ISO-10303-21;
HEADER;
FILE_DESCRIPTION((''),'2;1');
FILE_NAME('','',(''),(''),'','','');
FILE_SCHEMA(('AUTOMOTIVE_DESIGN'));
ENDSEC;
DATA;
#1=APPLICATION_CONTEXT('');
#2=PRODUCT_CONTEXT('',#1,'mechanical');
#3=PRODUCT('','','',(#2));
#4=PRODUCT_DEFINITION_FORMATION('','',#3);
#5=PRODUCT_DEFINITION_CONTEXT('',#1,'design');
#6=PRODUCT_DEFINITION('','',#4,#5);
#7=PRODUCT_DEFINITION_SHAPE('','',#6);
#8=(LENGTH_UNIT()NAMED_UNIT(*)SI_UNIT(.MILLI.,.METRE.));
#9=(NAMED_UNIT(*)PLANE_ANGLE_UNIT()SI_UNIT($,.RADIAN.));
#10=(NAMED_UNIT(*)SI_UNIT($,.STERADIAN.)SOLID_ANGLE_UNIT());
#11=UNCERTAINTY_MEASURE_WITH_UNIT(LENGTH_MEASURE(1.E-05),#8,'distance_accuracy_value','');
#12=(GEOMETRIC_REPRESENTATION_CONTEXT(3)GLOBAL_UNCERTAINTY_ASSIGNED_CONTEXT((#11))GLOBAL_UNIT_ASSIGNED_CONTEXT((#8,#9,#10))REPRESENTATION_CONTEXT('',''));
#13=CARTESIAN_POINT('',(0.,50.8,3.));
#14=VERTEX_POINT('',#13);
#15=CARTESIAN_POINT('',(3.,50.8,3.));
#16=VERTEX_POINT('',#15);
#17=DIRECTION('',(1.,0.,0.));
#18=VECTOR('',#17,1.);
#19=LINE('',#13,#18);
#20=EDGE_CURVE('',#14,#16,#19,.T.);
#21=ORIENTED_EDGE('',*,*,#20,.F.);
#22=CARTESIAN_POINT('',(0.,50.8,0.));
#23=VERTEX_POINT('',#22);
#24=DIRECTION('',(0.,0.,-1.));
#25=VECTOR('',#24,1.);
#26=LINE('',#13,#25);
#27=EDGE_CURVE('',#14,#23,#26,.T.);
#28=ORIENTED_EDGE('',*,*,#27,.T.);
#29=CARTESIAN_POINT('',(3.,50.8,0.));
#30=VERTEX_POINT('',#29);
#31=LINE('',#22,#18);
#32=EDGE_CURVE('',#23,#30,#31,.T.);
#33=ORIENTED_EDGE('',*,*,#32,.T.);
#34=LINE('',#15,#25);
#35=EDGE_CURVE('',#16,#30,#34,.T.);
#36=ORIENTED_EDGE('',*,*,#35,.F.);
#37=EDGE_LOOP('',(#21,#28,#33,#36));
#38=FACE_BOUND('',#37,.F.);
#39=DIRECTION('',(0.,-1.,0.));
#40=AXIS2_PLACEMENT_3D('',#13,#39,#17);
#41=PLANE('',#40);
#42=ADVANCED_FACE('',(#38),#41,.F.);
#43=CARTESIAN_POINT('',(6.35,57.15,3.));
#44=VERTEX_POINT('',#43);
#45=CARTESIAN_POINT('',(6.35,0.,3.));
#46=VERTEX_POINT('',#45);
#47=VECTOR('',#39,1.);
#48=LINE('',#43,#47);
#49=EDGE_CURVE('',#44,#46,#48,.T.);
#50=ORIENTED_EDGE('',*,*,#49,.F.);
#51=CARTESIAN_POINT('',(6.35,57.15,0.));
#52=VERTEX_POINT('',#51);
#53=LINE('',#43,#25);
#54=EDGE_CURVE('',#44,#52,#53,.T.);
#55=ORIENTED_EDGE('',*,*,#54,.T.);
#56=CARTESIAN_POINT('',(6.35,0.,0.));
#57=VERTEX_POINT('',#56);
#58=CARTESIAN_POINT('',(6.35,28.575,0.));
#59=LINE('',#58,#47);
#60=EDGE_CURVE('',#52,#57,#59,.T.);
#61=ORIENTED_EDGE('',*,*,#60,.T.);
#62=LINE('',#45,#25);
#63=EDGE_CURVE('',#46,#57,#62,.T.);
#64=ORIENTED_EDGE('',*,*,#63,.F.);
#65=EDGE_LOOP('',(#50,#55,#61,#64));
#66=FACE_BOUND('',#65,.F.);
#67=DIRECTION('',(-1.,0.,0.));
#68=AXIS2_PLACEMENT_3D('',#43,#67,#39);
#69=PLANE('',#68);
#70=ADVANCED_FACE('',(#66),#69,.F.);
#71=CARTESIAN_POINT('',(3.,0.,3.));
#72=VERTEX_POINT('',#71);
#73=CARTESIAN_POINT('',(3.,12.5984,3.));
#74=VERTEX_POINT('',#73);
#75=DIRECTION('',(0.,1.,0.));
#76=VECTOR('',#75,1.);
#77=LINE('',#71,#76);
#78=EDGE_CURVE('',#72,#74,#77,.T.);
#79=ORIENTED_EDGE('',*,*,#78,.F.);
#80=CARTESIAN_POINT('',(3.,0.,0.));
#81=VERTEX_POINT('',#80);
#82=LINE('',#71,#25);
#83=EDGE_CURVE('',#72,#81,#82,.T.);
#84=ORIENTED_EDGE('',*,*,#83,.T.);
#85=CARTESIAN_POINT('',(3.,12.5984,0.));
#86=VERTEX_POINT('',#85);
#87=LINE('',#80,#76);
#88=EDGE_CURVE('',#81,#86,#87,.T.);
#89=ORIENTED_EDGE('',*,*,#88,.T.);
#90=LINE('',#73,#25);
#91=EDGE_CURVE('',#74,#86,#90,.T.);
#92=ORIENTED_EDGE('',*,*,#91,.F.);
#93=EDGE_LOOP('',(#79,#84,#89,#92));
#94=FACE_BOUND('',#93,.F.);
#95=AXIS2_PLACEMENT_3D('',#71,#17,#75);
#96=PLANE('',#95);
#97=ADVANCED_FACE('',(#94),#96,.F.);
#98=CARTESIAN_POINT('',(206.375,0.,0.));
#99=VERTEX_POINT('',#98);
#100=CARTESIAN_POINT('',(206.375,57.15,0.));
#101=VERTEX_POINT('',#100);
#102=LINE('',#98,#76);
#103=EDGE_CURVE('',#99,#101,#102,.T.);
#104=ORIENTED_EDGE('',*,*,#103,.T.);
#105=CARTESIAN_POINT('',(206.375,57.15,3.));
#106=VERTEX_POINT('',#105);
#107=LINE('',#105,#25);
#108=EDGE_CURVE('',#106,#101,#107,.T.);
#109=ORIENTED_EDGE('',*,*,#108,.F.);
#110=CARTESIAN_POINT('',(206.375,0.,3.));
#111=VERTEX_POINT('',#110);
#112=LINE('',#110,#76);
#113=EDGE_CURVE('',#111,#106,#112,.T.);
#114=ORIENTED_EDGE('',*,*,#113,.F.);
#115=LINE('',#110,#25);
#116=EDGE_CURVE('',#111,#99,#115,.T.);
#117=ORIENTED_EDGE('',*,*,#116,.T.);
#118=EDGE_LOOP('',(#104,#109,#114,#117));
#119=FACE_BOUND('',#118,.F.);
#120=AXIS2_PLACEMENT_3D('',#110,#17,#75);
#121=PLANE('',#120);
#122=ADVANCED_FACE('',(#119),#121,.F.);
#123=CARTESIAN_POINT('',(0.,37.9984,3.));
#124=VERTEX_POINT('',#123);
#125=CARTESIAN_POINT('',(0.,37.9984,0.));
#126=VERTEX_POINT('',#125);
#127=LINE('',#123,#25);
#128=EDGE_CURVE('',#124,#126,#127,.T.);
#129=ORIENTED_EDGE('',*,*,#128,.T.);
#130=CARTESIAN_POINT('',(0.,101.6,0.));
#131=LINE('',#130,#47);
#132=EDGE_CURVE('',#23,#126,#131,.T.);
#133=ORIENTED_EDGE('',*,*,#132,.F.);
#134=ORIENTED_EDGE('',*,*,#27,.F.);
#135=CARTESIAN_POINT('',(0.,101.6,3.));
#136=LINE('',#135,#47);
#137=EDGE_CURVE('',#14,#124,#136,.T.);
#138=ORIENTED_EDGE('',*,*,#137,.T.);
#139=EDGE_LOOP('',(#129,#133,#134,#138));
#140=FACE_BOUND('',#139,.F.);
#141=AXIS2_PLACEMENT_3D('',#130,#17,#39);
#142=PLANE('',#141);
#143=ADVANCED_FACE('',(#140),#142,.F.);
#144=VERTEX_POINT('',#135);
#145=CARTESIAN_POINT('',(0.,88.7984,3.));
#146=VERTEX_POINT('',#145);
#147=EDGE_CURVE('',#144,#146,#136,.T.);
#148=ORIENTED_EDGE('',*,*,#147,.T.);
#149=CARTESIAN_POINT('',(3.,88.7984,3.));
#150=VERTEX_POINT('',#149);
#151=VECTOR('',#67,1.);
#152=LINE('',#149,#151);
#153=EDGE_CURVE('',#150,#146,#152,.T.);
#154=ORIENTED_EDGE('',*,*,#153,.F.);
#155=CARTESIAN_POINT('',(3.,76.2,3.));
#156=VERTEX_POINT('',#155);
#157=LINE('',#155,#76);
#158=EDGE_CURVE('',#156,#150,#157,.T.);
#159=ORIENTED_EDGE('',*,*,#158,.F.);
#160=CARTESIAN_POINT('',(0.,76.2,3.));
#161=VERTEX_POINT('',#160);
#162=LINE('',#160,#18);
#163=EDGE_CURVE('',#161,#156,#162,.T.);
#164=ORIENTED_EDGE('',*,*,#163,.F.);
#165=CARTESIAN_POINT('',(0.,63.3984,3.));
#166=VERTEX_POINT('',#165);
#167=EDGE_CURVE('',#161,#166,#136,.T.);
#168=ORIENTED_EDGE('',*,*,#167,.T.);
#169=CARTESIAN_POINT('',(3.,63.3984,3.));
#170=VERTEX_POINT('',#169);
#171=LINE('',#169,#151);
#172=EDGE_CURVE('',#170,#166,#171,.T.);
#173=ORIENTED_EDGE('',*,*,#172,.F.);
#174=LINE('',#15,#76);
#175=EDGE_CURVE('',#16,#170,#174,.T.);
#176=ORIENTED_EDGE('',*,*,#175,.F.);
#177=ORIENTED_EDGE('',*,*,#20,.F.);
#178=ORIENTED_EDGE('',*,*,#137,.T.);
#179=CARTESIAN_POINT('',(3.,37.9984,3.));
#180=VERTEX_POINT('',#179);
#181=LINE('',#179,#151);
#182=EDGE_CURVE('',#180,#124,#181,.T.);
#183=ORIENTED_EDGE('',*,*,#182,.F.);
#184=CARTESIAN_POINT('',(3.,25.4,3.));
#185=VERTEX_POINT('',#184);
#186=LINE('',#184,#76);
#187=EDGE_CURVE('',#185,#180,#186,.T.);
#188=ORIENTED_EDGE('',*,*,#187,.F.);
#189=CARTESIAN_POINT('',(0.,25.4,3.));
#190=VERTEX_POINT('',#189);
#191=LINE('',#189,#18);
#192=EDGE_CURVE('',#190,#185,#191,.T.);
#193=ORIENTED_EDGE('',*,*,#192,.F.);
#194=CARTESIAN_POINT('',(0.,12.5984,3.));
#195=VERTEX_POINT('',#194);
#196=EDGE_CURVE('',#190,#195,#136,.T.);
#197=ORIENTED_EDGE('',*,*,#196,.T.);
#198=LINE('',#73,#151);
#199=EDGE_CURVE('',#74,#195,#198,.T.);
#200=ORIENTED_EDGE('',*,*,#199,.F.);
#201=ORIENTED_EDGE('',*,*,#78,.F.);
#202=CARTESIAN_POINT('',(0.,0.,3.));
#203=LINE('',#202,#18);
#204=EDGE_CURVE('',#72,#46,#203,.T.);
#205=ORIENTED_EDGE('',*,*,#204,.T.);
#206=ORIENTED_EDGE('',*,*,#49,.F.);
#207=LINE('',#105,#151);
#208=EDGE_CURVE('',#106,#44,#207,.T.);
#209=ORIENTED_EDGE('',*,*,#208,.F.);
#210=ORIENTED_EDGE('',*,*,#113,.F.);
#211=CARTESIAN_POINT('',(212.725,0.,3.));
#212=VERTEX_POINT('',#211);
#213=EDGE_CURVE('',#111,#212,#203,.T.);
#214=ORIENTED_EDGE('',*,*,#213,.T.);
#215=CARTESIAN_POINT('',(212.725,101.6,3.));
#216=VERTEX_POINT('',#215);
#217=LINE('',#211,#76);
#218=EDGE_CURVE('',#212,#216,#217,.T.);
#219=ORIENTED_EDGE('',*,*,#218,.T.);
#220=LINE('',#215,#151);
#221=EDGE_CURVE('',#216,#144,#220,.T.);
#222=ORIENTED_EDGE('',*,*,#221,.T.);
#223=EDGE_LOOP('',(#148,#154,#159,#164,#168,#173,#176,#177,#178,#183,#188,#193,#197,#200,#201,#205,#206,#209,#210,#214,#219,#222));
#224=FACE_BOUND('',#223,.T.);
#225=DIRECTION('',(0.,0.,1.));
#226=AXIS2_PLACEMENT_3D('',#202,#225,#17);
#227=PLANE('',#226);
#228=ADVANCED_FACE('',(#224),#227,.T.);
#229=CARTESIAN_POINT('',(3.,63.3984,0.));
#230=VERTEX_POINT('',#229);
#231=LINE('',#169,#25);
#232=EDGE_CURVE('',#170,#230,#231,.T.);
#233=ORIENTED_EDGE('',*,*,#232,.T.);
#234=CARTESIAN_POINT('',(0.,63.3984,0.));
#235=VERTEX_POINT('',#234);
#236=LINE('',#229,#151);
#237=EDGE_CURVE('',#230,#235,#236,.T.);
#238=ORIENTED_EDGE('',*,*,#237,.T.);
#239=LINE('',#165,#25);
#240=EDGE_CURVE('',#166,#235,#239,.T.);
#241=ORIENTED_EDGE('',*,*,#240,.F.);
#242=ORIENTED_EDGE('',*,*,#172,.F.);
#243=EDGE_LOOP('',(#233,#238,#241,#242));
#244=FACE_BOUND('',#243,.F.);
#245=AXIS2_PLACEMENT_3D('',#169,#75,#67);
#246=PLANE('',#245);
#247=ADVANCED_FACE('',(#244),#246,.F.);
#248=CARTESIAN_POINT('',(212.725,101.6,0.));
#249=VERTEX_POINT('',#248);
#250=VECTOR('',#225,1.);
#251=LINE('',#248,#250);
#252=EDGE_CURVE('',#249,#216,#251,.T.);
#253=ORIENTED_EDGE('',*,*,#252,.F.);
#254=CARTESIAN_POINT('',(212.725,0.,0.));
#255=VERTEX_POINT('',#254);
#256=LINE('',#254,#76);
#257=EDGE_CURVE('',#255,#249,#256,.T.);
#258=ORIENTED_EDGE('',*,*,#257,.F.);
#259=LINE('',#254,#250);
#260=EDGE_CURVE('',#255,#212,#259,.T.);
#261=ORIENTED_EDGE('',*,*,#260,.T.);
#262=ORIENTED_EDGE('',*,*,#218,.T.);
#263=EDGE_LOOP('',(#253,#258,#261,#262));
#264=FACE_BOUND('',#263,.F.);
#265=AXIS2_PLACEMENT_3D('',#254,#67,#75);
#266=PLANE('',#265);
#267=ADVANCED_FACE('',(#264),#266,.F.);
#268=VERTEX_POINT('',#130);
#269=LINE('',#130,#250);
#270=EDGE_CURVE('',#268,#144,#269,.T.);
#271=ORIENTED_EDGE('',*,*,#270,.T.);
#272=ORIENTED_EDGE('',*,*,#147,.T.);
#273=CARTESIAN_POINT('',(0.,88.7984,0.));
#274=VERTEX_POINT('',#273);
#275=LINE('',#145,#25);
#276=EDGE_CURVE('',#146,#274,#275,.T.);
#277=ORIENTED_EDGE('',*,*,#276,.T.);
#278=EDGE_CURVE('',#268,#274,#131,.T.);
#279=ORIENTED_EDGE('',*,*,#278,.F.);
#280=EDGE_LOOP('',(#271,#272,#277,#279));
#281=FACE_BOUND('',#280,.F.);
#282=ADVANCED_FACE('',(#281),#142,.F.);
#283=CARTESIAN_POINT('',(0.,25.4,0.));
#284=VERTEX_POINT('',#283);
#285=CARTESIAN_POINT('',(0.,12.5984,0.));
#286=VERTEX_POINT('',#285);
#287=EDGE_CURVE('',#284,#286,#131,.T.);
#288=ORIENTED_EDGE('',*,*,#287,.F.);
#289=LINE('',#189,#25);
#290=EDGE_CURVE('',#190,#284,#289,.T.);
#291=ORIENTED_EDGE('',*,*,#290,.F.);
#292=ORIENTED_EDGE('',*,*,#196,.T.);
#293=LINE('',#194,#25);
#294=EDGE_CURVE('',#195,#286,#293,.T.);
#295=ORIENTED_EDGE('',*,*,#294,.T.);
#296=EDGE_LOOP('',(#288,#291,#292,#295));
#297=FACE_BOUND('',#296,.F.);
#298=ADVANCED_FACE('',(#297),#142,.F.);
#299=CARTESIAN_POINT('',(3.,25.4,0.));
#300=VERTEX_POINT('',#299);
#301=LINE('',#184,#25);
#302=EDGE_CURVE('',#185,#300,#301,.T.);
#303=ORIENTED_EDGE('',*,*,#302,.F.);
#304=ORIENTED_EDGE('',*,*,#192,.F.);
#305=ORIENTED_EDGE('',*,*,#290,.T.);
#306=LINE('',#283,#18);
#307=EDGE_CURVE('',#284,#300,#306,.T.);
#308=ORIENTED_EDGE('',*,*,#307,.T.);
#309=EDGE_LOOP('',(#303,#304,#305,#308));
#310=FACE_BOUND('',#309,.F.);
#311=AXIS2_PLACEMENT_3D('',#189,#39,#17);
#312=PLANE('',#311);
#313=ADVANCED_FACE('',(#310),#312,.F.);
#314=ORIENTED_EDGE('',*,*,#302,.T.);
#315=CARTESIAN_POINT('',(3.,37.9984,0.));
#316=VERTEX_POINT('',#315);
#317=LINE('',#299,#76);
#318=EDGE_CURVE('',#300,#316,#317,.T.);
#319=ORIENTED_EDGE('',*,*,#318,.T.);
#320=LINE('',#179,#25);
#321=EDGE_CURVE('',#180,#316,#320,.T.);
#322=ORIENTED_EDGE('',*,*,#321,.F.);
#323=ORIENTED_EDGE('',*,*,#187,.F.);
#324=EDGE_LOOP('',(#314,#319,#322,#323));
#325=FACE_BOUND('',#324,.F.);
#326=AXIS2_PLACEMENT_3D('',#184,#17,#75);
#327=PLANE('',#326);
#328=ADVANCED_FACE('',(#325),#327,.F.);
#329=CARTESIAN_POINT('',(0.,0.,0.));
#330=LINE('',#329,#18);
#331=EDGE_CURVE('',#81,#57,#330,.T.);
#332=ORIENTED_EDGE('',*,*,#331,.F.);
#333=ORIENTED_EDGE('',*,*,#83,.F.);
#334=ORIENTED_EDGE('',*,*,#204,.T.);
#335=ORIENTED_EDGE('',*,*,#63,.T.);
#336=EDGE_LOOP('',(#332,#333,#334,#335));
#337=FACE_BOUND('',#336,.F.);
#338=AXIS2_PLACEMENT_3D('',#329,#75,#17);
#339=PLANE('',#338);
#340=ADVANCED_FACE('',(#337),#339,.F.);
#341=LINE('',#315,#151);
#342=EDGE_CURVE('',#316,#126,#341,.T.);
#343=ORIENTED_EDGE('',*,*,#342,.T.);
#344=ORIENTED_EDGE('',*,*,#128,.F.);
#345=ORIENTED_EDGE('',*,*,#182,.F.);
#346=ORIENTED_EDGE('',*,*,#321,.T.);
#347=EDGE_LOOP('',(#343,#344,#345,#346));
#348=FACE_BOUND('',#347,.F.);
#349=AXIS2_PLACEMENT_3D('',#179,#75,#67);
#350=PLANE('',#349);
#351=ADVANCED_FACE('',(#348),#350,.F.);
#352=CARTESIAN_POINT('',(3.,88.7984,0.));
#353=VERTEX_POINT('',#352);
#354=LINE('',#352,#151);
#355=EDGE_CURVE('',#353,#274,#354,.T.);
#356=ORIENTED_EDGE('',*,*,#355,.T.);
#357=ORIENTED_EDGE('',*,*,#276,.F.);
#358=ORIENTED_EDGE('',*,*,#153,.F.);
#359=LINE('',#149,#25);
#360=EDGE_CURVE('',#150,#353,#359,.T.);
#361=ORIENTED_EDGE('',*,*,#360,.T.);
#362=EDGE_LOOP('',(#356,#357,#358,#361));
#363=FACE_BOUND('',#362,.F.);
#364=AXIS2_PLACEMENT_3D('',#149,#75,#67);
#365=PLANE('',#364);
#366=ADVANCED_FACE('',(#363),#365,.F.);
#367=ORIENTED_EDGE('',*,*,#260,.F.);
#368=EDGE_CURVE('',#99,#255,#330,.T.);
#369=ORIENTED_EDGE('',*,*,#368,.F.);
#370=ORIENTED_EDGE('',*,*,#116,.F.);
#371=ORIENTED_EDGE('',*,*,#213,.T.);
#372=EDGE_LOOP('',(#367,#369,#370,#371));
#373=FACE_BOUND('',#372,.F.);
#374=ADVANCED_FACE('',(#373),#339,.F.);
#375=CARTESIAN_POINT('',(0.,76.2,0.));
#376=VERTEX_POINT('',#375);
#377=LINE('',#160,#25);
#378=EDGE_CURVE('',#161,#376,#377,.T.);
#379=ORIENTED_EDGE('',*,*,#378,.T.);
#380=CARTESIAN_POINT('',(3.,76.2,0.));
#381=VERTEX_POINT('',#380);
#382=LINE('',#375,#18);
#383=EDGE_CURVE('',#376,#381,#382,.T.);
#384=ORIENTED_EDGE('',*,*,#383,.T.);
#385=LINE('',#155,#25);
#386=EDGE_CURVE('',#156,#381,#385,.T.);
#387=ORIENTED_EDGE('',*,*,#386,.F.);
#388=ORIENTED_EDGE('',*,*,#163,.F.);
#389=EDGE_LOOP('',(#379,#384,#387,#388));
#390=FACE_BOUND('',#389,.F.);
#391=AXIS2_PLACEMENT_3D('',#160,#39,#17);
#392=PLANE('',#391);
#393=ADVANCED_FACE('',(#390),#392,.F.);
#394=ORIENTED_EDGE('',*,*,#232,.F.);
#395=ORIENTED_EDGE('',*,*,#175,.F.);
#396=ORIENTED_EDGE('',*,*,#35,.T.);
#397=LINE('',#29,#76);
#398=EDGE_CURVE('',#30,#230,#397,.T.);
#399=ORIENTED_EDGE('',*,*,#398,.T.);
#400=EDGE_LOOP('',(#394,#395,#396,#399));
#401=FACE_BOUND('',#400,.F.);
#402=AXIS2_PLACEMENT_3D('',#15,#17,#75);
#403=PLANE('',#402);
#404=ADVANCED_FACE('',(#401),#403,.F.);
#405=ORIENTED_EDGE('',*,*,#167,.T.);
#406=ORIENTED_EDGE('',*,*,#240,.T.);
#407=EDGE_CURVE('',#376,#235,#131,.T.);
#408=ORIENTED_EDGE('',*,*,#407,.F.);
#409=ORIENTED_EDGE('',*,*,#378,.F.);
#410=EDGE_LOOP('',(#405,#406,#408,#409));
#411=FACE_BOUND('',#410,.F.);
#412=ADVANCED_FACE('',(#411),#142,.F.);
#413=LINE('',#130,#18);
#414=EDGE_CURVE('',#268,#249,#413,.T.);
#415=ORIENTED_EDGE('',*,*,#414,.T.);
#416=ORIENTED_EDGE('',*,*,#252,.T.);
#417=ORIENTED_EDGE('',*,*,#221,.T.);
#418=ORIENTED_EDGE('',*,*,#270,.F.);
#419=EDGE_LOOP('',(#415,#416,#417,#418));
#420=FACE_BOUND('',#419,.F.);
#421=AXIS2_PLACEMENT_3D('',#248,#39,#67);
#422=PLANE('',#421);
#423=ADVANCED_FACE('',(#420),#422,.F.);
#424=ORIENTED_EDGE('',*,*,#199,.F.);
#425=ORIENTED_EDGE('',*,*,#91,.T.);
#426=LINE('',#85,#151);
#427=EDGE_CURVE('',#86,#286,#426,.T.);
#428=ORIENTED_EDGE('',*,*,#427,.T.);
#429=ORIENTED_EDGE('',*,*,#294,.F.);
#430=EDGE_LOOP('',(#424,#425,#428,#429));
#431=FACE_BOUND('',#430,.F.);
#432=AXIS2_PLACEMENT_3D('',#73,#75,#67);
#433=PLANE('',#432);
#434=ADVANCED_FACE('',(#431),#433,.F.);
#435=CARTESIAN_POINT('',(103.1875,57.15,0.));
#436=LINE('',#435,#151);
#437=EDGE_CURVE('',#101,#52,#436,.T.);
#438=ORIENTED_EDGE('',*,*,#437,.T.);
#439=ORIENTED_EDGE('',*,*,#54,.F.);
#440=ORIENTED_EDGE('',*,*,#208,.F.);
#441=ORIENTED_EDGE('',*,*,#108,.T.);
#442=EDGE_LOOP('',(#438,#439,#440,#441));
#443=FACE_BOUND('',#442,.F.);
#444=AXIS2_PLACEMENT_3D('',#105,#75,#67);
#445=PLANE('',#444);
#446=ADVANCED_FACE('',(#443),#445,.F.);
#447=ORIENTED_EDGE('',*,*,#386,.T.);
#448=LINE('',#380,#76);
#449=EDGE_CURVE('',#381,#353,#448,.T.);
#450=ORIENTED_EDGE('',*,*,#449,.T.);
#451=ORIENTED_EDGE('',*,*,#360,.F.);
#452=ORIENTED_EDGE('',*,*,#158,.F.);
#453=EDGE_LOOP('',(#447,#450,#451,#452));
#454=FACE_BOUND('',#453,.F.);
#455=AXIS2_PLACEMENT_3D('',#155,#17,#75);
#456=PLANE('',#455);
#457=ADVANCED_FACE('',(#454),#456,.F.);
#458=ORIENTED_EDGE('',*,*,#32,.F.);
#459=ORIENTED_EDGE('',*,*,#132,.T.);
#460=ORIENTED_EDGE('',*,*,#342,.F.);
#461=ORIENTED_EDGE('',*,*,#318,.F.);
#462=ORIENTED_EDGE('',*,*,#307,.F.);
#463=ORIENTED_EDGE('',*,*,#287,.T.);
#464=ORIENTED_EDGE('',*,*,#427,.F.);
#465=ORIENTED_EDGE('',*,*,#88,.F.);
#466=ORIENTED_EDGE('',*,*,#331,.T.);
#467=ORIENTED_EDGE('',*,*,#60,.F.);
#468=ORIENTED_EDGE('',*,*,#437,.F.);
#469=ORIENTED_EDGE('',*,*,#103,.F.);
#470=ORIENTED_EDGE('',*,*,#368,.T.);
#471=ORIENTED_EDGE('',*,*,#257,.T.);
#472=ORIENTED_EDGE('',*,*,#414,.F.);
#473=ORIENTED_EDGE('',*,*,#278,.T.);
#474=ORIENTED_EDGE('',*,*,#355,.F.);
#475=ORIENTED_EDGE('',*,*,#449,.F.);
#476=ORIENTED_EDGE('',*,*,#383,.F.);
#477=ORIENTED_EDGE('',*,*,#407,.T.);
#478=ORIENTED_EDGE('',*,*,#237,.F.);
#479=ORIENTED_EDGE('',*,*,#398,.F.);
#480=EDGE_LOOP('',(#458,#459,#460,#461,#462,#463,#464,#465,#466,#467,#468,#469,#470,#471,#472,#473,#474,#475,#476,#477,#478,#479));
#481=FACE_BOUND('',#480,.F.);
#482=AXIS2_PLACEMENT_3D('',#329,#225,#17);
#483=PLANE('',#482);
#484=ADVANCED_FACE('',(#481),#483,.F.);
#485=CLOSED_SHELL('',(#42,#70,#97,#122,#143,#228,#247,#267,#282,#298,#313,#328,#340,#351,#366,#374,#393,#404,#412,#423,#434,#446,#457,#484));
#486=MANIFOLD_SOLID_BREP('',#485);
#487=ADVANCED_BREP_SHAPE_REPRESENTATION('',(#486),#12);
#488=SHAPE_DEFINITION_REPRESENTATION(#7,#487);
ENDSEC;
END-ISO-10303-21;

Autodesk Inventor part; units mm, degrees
ref_plane "YZ Plane" through (0, 0, 0) normal (1, 0, 0) x (0, 1, 0)
ref_plane "XZ Plane" through (0, 0, 0) normal (0, 1, 0) x (-1, 0, 0)
ref_plane "XY Plane" through (0, 0, 0) normal (0, 0, 1) x (1, 0, 0)
sketch "Sketch1" plane through (0, 0, 0) normal (0, 0, 1) x (1, 0, 0)
  line L0 (0, 0) -> (212.725, 0)
  line L1 (212.725, 0) -> (212.725, 101.6)
  line L2 (212.725, 101.6) -> (0, 101.6)
  line L3 (0, 101.6) -> (0, 0)
  dimension "d0" = 212.725
  dimension "d1" = 101.6
extrude "Extrusion1" add sketch "Sketch1" along normal blind 3
sketch "Sketch2" plane through (0, 0, 3) normal (0, 0, 1) x (1, 0, 0)
  line L0 (6.35, 0) -> (206.375, 0)
  line L1 (206.375, 0) -> (206.375, 57.15)
  line L2 (206.375, 57.15) -> (6.35, 57.15)
  line L3 (6.35, 57.15) -> (6.35, 0)
  line L4 (0, 0) -> (212.725, 0) projected
  line L5 (212.725, 0) -> (212.725, 101.6) projected
  line L6 (212.725, 101.6) -> (0, 101.6) projected
  line L7 (0, 101.6) -> (0, 0) projected
  dimension "d4" = 57.15
  dimension "d9" = 6.35
  dimension "d10" = 6.35
extrude "Extrusion2" cut sketch "Sketch2" against normal blind 3.5 contours L3 L2 L1 L0
sketch "Sketch3" plane through (0, 0, 3) normal (0, 0, 1) x (1, 0, 0)
  line L0 (206.375, 57.15) -> (206.375, 0) projected
  line L1 (206.375, 0) -> (212.725, 0) projected
  line L2 (212.725, 0) -> (212.725, 101.6) projected
  line L3 (212.725, 101.6) -> (0, 101.6) projected
  line L4 (0, 101.6) -> (0, 0) projected
  line L5 (0, 0) -> (6.35, 0) projected
  line L6 (6.35, 0) -> (6.35, 57.15) projected
  line L7 (6.35, 57.15) -> (206.375, 57.15) projected
  line L8 (0, 0) -> (3, 0)
  line L9 (3, 0) -> (3, 12.5984)
  line L10 (3, 12.5984) -> (0, 12.5984)
  line L11 (0, 12.5984) -> (0, 0)
  line L12 (3, 25.4) -> (3, 37.9984)
  line L13 (3, 37.9984) -> (0, 37.9984)
  line L14 (0, 37.9984) -> (0, 25.4)
  line L15 (0, 25.4) -> (3, 25.4)
  line L16 (3, 50.8) -> (3, 63.3984)
  line L17 (3, 63.3984) -> (0, 63.3984)
  line L18 (0, 63.3984) -> (0, 50.8)
  line L19 (0, 50.8) -> (3, 50.8)
  line L20 (3, 76.2) -> (3, 88.7984)
  line L21 (3, 88.7984) -> (0, 88.7984)
  line L22 (0, 88.7984) -> (0, 76.2)
  line L23 (0, 76.2) -> (3, 76.2)
  line L24 (3, 101.6) -> (3, 114.1984)
  line L25 (3, 114.1984) -> (0, 114.1984)
  line L26 (0, 114.1984) -> (0, 101.6)
  line L27 (0, 101.6) -> (3, 101.6)
  dimension "d11" = 12.5984
  dimension "d12" = 3
  dimension "d15" = 25.4
extrude "Extrusion3" cut sketch "Sketch3" against normal blind 3 contours L5 L4 L10 L9 | L3 L26 L25 L24 | L21 L20 L23 L4 | L4 L13 L12 L15 | L17 L16 L19 L4
properties part number "PCBWall"
